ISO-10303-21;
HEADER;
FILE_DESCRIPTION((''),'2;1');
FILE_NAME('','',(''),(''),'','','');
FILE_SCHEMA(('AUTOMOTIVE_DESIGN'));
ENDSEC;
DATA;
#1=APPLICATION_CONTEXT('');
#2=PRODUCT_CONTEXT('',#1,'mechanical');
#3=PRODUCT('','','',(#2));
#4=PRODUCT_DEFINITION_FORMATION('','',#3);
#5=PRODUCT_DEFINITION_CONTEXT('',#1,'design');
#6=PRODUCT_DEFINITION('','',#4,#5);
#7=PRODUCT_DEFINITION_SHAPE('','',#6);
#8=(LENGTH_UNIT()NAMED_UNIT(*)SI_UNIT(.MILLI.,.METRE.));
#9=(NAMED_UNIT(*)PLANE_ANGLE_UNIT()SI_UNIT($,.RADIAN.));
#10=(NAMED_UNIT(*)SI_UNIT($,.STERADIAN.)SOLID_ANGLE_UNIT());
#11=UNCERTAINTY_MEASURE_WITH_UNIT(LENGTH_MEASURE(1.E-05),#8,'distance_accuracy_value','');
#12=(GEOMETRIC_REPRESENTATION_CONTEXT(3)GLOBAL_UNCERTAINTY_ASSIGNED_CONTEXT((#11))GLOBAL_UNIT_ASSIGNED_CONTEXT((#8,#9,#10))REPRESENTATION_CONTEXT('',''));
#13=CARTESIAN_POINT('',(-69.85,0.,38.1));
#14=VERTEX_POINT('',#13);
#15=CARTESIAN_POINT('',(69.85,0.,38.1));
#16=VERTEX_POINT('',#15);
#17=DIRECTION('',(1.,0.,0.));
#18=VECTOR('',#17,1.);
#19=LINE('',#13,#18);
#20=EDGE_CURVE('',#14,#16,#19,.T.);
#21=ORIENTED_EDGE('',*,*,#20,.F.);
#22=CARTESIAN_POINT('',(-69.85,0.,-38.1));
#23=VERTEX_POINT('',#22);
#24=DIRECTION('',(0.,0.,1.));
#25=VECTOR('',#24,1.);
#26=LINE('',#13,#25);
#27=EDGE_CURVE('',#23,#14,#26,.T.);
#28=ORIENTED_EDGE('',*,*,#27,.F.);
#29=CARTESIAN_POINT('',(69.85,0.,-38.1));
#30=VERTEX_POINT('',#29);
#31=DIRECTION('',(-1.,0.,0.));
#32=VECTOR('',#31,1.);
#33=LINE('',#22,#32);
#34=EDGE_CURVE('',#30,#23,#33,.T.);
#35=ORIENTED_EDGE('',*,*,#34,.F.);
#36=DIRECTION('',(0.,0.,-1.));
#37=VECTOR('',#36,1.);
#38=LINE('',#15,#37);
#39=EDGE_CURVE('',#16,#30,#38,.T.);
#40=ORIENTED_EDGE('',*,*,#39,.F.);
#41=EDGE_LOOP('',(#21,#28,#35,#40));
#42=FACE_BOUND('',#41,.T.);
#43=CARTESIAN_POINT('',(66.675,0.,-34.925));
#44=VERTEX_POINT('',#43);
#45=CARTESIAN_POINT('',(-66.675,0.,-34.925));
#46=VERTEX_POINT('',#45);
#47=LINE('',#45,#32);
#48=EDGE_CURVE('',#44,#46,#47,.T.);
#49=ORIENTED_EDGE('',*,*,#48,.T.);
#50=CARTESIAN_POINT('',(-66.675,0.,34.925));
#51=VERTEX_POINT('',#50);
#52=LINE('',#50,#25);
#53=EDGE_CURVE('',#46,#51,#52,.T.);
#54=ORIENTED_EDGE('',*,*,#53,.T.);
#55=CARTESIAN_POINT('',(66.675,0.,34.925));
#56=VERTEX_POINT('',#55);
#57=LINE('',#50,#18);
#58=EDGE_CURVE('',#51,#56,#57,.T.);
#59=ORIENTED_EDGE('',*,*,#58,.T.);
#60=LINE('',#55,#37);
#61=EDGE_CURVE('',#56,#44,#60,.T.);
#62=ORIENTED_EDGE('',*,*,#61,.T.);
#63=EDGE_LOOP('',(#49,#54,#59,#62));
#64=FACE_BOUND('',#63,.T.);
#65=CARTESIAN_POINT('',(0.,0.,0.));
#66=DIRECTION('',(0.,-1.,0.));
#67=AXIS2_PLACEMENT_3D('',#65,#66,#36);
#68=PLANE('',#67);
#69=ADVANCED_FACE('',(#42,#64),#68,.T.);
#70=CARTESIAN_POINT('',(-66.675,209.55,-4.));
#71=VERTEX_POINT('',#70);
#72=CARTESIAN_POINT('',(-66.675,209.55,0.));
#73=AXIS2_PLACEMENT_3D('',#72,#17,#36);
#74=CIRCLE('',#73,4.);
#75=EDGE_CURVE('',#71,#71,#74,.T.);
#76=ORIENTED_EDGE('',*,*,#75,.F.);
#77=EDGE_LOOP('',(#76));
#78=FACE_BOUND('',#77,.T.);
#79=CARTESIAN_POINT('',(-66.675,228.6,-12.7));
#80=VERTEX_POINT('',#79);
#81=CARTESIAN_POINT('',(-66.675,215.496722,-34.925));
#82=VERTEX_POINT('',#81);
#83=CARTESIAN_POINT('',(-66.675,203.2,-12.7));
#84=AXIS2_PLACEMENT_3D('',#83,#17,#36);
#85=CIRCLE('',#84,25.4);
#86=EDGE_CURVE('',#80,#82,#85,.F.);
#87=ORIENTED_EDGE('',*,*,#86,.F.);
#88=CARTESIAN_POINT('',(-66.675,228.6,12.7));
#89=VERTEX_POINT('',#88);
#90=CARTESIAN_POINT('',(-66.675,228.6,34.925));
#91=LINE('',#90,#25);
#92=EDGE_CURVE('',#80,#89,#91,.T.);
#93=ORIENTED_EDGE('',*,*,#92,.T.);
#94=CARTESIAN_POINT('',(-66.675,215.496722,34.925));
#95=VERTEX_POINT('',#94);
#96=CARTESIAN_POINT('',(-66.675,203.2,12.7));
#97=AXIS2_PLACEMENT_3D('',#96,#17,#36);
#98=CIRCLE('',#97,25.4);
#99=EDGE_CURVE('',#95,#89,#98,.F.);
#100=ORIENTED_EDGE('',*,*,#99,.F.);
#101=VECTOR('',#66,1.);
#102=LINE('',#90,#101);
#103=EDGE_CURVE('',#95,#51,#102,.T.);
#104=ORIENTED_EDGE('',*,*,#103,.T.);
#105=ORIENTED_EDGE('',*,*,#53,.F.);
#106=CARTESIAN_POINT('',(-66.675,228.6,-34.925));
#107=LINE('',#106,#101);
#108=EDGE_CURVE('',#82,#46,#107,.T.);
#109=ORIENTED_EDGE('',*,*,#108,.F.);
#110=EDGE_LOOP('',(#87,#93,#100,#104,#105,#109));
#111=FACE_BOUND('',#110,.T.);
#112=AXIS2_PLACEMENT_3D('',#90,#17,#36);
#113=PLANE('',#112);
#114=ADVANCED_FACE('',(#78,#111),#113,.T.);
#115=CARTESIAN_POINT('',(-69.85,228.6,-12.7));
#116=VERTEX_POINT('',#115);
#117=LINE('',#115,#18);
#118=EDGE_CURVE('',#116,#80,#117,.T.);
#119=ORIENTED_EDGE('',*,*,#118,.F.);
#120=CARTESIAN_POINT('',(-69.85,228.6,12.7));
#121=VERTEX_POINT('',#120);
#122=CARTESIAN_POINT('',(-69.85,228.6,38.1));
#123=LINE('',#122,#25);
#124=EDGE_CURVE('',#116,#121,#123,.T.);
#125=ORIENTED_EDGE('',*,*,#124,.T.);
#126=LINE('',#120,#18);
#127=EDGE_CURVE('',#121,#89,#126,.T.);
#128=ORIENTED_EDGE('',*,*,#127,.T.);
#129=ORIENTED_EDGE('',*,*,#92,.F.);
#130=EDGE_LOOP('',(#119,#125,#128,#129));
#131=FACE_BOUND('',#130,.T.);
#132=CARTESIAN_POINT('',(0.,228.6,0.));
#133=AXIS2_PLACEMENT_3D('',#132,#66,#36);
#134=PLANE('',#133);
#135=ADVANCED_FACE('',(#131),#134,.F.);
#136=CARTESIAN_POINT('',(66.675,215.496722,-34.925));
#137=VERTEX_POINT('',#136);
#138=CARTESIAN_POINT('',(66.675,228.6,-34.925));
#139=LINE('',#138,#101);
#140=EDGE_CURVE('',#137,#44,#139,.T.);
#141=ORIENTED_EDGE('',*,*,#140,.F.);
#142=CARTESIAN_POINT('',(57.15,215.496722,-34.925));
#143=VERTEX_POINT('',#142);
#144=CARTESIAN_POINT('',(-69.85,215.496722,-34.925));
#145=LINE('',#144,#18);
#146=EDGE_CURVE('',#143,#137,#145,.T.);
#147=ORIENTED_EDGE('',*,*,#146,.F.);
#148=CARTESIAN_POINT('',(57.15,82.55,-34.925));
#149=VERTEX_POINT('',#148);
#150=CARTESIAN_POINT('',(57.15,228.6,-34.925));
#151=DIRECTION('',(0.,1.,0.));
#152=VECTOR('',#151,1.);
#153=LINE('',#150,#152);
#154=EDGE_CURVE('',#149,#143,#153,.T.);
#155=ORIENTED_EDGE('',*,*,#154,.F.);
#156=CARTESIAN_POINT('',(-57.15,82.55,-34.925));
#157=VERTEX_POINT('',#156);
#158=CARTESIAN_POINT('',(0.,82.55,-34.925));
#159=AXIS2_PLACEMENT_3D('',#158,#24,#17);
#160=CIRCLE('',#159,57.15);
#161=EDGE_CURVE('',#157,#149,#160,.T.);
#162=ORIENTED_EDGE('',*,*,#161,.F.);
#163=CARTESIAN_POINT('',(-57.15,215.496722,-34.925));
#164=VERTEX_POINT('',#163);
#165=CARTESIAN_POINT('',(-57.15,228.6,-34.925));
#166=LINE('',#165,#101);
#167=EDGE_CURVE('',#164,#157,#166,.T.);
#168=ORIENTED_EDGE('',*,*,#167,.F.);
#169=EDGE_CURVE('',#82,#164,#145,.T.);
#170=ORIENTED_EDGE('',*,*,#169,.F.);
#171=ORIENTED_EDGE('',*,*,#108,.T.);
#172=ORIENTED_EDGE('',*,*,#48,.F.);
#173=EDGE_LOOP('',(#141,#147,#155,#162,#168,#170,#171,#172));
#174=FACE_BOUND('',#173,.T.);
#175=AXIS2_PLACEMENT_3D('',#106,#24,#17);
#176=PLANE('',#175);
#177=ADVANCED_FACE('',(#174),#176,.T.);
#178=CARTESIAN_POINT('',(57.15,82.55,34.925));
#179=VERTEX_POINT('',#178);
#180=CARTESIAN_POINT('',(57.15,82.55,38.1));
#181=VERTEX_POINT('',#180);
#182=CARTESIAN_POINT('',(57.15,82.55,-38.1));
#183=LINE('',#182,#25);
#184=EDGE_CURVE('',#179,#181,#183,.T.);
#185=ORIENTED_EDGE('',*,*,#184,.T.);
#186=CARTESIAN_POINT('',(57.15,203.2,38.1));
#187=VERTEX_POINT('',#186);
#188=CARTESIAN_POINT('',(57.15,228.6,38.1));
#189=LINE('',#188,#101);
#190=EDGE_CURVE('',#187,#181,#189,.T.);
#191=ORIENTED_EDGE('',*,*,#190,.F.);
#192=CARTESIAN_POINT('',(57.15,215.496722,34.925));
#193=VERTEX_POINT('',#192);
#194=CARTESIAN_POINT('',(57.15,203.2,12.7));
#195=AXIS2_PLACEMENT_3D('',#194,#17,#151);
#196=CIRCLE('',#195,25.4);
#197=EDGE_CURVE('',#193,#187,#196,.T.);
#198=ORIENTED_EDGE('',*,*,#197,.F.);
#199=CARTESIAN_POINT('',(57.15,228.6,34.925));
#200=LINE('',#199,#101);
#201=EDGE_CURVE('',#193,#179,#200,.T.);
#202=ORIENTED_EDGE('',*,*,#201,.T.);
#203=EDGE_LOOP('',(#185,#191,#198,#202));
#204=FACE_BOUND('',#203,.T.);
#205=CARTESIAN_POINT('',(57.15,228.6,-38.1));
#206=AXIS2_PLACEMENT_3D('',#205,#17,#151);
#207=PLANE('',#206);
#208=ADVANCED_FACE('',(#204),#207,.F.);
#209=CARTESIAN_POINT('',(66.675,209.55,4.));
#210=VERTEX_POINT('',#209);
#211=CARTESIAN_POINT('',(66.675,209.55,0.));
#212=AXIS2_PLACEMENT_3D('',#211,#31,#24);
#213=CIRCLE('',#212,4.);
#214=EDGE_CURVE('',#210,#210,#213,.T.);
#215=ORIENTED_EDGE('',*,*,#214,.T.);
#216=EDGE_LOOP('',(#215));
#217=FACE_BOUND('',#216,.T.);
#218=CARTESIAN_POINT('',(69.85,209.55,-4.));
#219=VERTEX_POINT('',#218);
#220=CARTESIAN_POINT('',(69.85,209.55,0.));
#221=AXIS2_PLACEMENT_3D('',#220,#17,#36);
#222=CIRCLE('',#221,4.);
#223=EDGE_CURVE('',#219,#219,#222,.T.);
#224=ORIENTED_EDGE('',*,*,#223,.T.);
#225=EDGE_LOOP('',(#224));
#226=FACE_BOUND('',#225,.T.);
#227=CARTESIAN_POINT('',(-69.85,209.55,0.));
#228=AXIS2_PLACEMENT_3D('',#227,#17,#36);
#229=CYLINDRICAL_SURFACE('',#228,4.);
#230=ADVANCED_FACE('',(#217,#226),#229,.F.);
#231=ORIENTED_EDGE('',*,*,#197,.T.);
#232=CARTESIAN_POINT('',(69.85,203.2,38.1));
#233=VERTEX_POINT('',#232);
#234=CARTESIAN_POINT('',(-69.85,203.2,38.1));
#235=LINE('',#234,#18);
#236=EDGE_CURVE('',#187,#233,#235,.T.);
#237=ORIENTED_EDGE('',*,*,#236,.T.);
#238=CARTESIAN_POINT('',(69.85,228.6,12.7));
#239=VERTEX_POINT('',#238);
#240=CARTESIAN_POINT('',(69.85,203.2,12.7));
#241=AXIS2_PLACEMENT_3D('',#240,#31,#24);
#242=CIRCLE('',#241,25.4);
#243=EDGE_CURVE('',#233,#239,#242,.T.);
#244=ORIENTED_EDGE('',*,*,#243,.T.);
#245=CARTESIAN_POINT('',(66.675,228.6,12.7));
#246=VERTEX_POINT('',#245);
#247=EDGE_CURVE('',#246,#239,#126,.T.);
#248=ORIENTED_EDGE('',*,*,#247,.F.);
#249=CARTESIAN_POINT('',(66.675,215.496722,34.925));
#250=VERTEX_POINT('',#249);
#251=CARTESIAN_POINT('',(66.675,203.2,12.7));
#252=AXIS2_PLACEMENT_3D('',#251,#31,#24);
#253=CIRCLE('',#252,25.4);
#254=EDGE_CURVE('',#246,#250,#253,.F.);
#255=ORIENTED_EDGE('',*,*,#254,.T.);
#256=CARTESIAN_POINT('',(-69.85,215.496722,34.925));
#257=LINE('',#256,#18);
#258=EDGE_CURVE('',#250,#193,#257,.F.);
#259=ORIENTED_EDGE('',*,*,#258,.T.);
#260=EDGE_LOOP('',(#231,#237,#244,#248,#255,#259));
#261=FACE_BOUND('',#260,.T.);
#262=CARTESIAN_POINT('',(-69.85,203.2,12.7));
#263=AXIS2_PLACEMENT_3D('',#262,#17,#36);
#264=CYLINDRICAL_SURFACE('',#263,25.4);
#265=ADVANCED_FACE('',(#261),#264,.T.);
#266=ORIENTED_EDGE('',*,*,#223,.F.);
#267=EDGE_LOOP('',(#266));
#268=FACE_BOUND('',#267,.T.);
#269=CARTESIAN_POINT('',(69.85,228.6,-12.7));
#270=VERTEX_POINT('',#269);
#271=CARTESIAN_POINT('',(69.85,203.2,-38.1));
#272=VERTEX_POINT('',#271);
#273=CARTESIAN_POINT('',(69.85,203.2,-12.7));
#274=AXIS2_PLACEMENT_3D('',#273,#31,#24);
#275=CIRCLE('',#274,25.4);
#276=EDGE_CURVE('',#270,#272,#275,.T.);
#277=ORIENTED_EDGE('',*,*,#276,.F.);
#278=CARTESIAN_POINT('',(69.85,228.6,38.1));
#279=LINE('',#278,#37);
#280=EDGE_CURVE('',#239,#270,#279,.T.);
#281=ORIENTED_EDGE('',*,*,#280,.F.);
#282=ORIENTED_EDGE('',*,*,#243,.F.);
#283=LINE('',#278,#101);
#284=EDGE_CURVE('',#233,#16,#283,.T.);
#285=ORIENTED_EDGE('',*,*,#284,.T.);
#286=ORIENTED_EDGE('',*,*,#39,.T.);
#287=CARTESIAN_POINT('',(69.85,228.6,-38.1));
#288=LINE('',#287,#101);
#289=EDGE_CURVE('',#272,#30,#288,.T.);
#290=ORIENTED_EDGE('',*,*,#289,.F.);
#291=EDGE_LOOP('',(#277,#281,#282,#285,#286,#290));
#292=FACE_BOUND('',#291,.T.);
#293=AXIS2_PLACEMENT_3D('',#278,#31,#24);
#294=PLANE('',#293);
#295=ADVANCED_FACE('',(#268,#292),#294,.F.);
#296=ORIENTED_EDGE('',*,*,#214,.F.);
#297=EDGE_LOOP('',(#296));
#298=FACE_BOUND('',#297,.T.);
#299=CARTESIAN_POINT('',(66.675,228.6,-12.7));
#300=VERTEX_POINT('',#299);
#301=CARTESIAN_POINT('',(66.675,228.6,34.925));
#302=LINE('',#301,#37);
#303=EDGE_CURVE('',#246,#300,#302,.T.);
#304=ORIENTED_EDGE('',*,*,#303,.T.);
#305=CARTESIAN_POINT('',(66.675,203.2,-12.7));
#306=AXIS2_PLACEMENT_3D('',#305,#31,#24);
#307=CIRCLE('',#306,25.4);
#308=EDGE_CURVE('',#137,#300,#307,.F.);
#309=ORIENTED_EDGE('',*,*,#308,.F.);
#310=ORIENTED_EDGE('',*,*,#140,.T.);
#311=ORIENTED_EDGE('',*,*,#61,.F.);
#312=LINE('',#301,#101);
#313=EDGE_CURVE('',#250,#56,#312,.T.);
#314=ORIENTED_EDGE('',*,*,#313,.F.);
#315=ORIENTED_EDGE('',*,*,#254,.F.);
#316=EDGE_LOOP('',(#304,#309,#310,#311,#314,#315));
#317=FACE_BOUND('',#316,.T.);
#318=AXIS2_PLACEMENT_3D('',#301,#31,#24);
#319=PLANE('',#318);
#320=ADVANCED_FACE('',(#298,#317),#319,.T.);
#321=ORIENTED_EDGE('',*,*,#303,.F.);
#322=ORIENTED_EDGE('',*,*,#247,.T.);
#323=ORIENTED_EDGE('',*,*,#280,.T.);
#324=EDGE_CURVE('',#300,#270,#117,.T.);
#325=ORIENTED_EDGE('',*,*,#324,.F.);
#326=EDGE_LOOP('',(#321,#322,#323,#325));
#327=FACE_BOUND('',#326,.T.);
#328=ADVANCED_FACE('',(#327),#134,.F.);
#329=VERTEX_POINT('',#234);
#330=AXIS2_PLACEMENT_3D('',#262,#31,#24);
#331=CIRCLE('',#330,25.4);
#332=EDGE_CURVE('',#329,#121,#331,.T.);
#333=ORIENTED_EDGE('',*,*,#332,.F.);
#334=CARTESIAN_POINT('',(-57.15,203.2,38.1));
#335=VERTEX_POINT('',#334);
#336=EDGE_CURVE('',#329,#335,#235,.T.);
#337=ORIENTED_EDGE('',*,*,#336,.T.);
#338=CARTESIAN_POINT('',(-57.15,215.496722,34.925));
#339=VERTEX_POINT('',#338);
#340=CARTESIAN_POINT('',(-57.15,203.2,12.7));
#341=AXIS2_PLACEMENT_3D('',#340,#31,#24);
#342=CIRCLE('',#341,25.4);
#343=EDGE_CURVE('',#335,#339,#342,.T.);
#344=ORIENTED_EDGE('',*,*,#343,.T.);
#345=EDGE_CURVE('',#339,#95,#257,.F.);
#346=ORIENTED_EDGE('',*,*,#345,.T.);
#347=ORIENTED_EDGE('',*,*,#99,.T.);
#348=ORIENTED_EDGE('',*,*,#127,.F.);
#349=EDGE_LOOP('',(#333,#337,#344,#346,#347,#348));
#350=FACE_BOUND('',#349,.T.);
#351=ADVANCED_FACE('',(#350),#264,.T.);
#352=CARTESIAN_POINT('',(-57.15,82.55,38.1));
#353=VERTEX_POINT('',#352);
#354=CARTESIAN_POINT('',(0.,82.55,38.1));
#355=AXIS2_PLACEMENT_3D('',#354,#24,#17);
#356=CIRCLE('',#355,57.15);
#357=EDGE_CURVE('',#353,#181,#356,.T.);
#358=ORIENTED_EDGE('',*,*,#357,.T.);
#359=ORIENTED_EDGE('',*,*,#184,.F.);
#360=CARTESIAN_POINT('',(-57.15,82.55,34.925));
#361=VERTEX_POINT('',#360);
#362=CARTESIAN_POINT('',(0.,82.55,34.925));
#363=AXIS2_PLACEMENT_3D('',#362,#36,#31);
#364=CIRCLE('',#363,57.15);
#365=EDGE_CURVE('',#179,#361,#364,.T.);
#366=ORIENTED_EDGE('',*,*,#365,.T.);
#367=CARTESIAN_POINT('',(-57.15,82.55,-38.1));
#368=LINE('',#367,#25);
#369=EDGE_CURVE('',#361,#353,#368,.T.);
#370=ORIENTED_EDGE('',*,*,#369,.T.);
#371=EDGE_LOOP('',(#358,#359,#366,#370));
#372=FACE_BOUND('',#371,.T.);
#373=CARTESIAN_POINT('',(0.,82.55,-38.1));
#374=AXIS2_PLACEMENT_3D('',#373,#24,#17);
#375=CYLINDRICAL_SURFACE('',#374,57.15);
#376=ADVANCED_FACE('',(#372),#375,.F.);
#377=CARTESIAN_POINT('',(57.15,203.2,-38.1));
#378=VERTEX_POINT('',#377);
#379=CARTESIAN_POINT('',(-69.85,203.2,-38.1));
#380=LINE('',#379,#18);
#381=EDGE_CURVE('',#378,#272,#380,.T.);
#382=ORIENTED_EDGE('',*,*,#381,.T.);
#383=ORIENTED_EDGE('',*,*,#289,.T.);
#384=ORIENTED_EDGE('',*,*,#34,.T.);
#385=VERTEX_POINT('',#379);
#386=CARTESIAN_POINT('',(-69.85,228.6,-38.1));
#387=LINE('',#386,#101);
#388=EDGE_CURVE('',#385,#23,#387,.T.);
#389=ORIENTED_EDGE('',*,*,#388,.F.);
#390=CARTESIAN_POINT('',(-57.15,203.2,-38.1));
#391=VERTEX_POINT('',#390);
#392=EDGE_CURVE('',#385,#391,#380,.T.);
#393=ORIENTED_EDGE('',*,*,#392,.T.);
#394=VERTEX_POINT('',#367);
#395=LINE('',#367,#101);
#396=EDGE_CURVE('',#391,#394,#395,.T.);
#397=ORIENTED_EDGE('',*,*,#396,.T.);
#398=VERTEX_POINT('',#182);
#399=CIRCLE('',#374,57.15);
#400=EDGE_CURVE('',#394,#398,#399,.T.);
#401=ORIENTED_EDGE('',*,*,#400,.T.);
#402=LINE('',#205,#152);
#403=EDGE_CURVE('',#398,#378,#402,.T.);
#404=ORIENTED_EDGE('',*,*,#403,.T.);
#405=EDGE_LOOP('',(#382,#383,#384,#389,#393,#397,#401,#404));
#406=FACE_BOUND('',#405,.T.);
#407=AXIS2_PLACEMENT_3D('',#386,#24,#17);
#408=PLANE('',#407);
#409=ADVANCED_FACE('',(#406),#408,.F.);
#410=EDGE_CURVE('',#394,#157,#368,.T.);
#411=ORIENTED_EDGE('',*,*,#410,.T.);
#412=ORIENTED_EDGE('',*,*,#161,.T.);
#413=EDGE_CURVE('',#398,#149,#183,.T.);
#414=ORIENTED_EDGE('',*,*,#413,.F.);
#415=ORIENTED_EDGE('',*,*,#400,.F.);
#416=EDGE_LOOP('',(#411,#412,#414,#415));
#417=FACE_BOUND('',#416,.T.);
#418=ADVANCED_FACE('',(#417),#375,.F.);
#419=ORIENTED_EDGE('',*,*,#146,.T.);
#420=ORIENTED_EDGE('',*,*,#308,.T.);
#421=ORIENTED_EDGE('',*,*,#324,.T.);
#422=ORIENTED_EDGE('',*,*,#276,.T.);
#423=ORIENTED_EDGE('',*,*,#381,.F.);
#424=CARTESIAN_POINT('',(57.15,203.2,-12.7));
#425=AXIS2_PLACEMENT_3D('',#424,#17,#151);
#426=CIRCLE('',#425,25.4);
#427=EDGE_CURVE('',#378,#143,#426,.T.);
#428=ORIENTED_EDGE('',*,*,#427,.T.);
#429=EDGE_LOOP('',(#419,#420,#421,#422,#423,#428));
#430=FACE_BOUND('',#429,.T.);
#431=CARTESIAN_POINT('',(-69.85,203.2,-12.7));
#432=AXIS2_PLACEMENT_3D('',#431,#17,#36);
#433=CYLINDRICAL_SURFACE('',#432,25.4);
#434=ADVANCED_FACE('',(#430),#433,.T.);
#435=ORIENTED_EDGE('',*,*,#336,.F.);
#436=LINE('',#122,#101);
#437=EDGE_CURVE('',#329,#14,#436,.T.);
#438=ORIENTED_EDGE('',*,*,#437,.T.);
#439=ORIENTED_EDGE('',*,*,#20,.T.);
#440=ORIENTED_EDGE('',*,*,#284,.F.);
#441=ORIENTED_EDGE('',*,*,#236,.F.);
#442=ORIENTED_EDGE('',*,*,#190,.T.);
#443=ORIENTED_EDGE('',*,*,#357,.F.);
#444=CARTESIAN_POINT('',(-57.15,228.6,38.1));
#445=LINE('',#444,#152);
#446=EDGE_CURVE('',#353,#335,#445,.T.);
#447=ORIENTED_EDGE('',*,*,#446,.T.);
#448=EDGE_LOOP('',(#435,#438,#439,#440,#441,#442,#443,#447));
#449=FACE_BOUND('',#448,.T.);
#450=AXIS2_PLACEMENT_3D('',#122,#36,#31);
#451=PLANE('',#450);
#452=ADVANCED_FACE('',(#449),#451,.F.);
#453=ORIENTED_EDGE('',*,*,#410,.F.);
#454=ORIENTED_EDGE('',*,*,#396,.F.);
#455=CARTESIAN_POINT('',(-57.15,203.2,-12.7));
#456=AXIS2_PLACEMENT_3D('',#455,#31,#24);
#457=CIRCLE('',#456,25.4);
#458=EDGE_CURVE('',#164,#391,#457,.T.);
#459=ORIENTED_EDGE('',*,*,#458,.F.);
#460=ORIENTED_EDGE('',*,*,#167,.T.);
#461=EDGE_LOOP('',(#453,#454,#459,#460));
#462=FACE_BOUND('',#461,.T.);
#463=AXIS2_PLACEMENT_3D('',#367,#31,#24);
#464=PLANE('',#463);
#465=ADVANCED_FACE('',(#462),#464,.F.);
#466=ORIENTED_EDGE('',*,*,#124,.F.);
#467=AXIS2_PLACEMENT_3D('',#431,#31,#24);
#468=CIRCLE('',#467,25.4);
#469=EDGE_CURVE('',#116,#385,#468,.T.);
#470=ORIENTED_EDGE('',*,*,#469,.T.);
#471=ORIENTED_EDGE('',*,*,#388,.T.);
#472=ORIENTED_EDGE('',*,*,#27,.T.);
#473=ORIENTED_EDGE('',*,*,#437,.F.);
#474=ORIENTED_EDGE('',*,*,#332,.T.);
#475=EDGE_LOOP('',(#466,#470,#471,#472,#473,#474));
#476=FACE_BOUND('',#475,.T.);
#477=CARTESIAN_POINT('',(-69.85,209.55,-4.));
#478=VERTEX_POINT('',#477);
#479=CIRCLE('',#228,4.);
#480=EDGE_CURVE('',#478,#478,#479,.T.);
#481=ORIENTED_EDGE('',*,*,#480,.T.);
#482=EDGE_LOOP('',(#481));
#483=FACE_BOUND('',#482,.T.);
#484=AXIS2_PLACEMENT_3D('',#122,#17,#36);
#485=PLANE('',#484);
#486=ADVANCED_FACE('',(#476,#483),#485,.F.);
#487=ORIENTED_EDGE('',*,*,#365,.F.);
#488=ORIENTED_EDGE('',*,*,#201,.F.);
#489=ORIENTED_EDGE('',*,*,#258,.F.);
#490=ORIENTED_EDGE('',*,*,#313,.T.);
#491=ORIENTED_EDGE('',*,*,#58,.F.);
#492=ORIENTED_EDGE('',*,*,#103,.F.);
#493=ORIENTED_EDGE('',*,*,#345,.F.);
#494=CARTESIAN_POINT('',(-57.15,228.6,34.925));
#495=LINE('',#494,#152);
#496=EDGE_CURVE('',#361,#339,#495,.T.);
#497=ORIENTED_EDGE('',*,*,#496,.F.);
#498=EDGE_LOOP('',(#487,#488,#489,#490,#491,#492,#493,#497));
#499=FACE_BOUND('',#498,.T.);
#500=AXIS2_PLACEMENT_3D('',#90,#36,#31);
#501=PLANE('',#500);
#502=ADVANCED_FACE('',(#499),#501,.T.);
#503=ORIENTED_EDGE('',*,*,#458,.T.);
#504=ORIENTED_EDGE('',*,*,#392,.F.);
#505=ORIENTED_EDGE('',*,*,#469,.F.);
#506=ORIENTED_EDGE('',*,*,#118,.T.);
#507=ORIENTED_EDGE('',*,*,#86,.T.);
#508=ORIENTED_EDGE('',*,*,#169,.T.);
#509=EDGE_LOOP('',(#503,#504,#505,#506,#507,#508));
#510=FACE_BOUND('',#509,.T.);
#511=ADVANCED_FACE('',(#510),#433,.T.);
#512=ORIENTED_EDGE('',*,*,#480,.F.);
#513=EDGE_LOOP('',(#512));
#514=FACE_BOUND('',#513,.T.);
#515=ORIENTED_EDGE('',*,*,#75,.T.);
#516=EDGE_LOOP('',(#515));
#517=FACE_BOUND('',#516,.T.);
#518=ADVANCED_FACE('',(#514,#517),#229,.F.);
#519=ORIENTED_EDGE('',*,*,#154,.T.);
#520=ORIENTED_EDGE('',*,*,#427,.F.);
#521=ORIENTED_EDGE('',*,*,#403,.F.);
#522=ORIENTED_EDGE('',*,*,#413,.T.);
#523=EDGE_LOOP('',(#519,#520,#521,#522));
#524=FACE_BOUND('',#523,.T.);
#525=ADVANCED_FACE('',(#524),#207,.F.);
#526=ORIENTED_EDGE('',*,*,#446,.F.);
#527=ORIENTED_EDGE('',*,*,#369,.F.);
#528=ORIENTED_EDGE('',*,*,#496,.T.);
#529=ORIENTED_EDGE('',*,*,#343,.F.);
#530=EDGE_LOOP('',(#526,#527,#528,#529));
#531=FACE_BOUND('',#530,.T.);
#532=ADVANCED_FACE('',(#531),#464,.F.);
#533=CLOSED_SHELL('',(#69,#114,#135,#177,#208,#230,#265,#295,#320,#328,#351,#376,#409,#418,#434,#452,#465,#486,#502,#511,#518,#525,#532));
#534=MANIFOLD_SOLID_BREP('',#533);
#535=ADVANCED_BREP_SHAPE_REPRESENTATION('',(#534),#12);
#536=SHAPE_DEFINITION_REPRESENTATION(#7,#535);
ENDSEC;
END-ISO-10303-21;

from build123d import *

# Parameters (mm, degrees)
SKETCH1_W               = 139.7
SKETCH1_H               = 76.2
SKETCH1_W_2             = 133.35
SKETCH1_H_2             = 69.85
BOSS_EXTRUDE1_DEPTH     = 228.6
SKETCH2_R               = 4
CUT_EXTRUDE1_DEPTH      = 271.602402059
CUT_EXTRUDE2_DEPTH      = 251.885277567
CUT_EXTRUDE2_DEPTH_BACK = 251.885277567


with BuildPart() as part:
    # Sketch1 → Boss-Extrude1 (new body)
    with BuildSketch(Plane(origin=(0, 0, 0), x_dir=(1, 0, 0), z_dir=(0, 1, 0))):
        Rectangle(SKETCH1_W, SKETCH1_H)
        Rectangle(SKETCH1_W_2, SKETCH1_H_2, mode=Mode.SUBTRACT)
    extrude(amount=BOSS_EXTRUDE1_DEPTH)

    # Sketch2 → Cut-Extrude1 (cut, through all)
    with BuildSketch(Plane(origin=(69.85, 0, 0), x_dir=(0, 0, -1), z_dir=(1, 0, 0))):
        with Locations((0, 209.55)):
            Circle(SKETCH2_R)
        with BuildLine():
            Line((-38.1, 203.2), (-38.1, 228.6))
            Line((-38.1, 228.6), (-12.7, 228.6))
            ThreePointArc((-12.7, 228.6), (-30.660512242, 221.160512242), (-38.1, 203.2))
        make_face()
        with BuildLine():
            Line((12.7, 228.6), (38.1, 228.6))
            Line((38.1, 228.6), (38.1, 203.2))
            ThreePointArc((38.1, 203.2), (30.660512242, 221.160512242), (12.7, 228.6))
        make_face()
    extrude(amount=-CUT_EXTRUDE1_DEPTH, mode=Mode.SUBTRACT)

    # Sketch3 → Cut-Extrude2 (cut, two sides: drawn at the far end of the back side and taken through both)
    with BuildSketch(Plane.XY.offset(38.1).offset(-CUT_EXTRUDE2_DEPTH_BACK)):
        with BuildLine():
            Line((-57.15, 82.55), (-57.15, 228.6))
            Line((-57.15, 228.6), (57.15, 228.6))
            Line((57.15, 228.6), (57.15, 82.55))
            ThreePointArc((57.15, 82.55), (0, 25.4), (-57.15, 82.55))
        make_face()
    extrude(amount=CUT_EXTRUDE2_DEPTH + CUT_EXTRUDE2_DEPTH_BACK, mode=Mode.SUBTRACT)


solid = part.part
